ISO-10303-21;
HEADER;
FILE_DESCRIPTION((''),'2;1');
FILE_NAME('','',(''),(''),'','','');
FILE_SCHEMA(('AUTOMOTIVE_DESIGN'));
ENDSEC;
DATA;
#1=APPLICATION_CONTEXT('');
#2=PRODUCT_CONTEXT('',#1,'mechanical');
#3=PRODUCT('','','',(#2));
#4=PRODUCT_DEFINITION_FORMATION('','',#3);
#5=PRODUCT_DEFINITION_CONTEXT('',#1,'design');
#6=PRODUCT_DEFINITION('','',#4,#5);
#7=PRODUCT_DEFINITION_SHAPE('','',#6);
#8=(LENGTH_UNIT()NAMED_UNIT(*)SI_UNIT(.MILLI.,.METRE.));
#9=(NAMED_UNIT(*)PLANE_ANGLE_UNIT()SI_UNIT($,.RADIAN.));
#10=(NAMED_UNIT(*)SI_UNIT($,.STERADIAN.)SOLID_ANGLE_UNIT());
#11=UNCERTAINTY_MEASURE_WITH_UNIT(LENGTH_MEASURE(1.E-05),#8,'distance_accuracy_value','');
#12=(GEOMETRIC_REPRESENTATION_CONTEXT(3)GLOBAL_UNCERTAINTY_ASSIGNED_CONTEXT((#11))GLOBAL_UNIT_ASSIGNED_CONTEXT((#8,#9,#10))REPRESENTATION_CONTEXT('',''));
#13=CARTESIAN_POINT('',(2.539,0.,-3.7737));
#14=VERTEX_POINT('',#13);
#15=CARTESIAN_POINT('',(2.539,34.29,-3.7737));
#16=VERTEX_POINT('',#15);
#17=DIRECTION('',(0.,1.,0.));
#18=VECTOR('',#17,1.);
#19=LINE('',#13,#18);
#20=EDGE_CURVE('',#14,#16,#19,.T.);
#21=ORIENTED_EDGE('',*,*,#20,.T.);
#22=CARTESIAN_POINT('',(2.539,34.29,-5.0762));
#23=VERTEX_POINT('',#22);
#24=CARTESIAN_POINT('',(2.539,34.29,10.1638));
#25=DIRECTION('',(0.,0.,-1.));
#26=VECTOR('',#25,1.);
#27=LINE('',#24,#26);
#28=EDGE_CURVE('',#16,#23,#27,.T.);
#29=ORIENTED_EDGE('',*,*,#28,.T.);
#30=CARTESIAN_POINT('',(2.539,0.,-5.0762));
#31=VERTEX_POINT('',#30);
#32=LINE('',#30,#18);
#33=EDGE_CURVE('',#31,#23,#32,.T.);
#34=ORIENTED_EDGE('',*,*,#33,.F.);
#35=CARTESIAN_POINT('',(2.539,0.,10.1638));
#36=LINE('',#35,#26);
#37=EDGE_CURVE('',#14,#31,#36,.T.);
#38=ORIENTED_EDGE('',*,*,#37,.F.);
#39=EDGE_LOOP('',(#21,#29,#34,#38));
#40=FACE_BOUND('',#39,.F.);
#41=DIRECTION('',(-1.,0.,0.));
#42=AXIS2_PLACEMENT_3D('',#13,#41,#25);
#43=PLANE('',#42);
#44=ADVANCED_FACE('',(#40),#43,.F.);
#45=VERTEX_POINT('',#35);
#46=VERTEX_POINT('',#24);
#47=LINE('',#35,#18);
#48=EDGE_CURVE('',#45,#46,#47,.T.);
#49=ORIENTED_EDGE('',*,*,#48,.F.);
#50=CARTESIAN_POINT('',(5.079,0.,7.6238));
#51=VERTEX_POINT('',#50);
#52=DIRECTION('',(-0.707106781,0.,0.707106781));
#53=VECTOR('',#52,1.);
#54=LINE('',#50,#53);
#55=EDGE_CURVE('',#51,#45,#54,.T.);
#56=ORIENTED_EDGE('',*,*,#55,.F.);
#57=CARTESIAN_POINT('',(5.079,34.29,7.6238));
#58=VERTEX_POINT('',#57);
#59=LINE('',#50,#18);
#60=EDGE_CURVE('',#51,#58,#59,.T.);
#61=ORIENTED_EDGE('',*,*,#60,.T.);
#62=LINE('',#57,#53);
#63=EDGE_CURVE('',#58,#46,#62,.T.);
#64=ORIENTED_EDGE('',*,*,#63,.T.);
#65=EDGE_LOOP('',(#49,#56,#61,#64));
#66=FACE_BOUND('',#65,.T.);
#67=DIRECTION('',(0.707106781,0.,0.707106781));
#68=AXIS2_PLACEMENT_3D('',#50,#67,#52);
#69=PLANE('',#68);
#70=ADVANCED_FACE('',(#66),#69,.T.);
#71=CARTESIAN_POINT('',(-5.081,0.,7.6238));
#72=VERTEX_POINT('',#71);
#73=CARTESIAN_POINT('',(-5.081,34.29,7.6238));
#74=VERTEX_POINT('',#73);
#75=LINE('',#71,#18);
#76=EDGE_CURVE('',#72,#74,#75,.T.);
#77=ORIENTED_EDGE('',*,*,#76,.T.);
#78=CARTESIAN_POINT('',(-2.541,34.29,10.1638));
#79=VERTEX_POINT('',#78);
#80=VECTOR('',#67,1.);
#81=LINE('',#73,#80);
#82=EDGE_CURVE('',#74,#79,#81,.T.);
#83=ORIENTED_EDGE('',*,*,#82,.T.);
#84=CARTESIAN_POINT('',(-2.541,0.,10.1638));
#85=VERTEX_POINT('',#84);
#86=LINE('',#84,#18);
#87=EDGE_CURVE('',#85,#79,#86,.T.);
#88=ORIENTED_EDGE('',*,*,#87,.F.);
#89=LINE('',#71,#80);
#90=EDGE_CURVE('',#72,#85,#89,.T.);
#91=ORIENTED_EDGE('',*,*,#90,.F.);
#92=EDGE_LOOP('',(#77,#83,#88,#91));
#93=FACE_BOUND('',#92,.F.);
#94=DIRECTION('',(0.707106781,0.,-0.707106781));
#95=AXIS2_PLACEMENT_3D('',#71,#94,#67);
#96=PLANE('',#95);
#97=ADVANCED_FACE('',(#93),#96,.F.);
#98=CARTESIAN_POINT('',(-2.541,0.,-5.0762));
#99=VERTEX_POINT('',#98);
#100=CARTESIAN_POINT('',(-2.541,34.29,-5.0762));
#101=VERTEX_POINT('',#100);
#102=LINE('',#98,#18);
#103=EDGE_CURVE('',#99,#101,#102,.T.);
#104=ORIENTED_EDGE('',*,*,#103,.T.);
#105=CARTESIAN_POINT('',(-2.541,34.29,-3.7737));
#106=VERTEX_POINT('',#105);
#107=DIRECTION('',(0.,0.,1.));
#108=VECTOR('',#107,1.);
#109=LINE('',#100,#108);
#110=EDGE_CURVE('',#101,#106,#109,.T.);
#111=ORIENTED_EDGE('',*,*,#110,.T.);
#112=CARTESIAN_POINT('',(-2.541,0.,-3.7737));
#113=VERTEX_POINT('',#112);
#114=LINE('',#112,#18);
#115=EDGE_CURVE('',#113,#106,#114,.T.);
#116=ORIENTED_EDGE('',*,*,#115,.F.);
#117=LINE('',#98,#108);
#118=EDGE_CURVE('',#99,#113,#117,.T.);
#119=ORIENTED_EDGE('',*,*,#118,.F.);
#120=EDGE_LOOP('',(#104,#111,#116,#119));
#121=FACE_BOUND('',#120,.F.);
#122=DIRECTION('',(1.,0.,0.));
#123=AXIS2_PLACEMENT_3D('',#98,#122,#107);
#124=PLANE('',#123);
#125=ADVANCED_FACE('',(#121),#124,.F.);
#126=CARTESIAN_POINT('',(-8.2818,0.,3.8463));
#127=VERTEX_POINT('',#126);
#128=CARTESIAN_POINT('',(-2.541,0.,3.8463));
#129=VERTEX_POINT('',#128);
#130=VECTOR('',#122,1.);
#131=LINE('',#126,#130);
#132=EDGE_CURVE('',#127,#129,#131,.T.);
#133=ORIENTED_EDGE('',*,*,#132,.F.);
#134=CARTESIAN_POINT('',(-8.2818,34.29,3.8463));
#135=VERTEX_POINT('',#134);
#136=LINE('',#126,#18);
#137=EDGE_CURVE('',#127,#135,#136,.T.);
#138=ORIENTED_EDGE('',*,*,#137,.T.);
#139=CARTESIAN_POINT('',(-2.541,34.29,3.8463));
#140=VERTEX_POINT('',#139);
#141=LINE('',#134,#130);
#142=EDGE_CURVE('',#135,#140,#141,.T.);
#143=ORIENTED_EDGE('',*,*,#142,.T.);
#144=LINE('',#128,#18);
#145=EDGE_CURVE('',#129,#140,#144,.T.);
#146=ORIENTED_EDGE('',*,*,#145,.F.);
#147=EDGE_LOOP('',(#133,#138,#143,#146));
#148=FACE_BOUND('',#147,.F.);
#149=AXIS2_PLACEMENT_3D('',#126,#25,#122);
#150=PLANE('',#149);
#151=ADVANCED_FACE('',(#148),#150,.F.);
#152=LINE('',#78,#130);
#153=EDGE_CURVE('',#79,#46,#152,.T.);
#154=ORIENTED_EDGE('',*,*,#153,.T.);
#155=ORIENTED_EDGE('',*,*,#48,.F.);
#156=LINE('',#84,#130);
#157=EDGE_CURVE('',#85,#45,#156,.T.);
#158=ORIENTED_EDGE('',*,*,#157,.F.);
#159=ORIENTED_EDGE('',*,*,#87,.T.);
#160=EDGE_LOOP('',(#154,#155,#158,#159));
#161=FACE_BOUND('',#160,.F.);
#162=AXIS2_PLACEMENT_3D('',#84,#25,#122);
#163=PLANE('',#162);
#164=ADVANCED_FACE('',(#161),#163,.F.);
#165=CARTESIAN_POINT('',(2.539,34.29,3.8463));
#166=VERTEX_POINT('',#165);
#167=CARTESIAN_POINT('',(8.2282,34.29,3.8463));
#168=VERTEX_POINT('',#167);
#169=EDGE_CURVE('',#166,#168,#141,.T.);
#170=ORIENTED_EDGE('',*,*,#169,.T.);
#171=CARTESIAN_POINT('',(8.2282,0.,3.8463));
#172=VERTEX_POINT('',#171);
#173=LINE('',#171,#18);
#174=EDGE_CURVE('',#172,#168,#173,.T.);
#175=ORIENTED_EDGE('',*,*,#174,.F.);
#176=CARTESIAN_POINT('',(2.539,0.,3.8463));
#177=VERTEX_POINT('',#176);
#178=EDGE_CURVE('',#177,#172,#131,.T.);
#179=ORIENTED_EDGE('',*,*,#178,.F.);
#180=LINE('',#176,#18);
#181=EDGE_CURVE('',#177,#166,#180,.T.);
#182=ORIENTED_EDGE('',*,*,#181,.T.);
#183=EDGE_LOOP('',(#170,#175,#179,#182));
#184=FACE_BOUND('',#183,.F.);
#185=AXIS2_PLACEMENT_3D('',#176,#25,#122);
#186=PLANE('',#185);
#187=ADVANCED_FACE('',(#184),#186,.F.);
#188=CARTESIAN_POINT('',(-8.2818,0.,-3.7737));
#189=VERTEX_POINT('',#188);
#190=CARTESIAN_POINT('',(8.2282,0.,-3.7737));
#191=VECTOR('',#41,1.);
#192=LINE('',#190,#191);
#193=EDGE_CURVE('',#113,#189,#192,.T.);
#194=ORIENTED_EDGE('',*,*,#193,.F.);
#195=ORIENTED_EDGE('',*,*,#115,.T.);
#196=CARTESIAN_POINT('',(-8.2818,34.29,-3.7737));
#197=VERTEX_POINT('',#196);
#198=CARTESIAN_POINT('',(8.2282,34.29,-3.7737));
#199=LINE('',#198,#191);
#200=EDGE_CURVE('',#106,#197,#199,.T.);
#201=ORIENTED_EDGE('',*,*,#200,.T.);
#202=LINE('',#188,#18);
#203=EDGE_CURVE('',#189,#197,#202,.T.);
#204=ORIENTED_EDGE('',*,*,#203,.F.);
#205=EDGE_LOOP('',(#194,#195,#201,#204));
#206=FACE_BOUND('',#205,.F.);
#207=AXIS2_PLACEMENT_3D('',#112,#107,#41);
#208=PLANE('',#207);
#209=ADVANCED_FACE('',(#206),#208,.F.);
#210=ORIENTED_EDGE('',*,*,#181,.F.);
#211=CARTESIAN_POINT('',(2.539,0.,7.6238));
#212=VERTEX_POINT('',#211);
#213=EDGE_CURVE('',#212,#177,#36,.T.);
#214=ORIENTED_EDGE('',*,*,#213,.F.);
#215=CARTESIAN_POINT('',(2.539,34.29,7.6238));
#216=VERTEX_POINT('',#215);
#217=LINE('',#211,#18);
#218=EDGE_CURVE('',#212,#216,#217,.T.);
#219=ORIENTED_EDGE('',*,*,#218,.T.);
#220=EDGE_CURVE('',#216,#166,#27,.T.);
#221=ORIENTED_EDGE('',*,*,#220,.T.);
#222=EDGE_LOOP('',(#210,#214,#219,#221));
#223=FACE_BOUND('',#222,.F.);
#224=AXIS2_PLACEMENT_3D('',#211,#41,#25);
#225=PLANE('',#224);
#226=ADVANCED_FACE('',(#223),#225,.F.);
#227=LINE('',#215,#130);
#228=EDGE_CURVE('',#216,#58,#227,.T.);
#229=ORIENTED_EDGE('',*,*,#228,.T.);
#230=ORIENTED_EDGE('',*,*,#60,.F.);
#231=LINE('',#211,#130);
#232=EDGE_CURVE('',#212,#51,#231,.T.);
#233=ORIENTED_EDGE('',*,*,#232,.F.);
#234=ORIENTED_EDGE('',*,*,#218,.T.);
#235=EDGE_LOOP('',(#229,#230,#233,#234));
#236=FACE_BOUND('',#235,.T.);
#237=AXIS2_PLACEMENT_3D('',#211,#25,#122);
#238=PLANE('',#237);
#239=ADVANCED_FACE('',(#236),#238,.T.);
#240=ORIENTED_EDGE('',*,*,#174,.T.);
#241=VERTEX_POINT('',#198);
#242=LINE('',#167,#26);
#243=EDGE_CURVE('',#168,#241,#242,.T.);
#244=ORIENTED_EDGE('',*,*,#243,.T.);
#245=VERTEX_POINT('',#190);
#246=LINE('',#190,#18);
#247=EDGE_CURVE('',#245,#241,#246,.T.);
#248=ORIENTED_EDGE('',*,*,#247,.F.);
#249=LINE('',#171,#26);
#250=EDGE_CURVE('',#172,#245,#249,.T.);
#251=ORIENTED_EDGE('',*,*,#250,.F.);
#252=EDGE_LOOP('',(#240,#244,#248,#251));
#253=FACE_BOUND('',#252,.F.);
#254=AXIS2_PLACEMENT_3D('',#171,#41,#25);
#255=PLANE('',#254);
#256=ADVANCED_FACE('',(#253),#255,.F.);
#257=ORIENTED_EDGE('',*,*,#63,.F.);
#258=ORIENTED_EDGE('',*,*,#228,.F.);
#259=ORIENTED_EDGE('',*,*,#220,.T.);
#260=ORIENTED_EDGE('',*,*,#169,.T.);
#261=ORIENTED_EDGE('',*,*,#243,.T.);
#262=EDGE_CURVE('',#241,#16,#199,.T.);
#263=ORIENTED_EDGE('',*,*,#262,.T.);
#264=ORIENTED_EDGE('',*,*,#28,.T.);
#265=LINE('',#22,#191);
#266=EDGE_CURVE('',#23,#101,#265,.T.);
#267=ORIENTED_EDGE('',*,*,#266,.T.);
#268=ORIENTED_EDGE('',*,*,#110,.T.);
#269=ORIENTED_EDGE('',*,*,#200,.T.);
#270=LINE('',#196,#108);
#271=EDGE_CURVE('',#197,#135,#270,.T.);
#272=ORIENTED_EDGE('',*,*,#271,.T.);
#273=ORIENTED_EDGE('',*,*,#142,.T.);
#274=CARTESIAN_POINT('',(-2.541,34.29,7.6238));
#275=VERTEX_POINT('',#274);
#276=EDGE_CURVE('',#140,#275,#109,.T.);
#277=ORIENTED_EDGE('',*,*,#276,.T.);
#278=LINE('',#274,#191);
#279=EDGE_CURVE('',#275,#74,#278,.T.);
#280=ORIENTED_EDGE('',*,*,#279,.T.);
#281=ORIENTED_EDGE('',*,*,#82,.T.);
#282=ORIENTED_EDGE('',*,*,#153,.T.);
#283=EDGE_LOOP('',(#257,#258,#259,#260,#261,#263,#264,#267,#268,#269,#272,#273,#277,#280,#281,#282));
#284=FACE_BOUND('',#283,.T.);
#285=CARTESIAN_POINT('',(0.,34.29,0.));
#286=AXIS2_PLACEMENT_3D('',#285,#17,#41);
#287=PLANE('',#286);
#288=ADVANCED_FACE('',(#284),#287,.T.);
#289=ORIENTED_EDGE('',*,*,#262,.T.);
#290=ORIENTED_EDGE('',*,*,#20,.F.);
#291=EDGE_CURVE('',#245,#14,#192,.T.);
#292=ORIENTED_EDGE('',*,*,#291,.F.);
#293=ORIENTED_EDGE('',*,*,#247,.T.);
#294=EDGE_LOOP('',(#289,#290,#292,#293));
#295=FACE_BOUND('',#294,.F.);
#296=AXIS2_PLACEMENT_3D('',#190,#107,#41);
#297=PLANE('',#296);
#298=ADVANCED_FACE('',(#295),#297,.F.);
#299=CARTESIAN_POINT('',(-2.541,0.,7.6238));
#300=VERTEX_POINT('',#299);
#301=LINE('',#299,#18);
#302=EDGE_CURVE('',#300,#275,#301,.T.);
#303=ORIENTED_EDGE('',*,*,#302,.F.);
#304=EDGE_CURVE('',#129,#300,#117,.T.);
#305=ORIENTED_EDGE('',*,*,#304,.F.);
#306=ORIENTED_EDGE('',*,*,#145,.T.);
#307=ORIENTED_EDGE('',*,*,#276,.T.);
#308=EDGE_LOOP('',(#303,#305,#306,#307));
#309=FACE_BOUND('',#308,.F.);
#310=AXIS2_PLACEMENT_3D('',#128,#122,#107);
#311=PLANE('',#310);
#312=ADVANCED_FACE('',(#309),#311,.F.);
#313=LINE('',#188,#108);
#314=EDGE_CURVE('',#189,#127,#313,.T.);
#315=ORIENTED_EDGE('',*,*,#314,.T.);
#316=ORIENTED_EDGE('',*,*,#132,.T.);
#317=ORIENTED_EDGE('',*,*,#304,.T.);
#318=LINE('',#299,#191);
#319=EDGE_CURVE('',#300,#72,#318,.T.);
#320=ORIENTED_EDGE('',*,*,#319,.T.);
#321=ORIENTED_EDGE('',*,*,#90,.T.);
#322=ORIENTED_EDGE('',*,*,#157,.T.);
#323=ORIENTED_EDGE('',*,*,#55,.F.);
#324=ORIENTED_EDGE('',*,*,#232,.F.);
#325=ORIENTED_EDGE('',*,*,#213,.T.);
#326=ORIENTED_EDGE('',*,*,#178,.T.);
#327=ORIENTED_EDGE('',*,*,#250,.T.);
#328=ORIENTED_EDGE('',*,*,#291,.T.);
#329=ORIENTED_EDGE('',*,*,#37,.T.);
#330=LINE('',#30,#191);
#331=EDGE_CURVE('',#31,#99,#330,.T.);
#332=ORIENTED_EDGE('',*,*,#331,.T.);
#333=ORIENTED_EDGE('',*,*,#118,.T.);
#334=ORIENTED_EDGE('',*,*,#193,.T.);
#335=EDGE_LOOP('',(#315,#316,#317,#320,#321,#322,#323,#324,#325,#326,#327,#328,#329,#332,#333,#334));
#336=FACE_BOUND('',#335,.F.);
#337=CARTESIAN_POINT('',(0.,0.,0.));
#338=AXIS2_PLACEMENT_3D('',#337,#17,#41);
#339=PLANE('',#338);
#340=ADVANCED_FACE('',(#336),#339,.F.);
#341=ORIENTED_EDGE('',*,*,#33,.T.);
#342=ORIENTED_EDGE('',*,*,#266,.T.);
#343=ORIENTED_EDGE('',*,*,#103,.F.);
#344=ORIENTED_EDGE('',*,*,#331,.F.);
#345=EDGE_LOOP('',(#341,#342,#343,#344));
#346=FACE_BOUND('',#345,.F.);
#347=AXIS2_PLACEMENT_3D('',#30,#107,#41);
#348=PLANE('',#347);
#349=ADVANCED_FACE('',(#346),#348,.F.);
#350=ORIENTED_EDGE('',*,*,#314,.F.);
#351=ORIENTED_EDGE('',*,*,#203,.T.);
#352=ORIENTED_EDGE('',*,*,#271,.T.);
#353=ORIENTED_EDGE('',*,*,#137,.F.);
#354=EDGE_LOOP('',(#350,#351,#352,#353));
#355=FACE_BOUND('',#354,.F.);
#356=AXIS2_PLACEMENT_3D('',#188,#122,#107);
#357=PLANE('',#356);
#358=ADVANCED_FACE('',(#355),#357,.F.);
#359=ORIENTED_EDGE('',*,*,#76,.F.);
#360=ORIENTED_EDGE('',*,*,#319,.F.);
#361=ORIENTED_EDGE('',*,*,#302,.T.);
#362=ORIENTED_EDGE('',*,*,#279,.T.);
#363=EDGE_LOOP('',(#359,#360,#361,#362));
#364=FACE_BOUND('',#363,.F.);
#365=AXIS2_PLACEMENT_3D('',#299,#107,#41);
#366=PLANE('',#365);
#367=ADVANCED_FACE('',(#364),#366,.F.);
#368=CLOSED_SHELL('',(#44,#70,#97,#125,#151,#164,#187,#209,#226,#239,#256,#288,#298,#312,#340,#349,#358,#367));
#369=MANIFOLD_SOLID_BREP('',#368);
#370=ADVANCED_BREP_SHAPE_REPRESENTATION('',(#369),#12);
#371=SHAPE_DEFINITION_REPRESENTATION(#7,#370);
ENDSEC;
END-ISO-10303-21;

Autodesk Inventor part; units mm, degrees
ref_plane "YZ Plane" through (0, 0, 0) normal (1, 0, 0) x (0, 1, 0)
ref_plane "XZ Plane" through (0, 0, 0) normal (0, 1, 0) x (-1, 0, 0)
ref_plane "XY Plane" through (0, 0, 0) normal (0, 0, 1) x (1, 0, 0)
sketch "Sketch1" plane through (0, 0, 0) normal (0, 1, 0) x (-1, 0, 0)
  line L0 (8.2818, 3.8463) -> (-8.2282, 3.8463)
  line L1 (-8.2282, 3.8463) -> (-8.2282, -3.7737)
  line L2 (-8.2282, -3.7737) -> (8.2818, -3.7737)
  line L3 (8.2818, -3.7737) -> (8.2818, 3.8463)
  line L4 (2.541, 10.1638) -> (-2.539, 10.1638)
  line L5 (-2.539, 10.1638) -> (-2.539, -5.0762)
  line L6 (-2.539, -5.0762) -> (2.541, -5.0762)
  line L7 (2.541, -5.0762) -> (2.541, 10.1638)
  line L8 (2.541, 7.6238) -> (5.081, 7.6238)
  line L9 (5.081, 7.6238) -> (2.541, 10.1638)
  line L10 (-2.539, 7.6238) -> (-5.079, 7.6238)
  line L11 (-5.079, 7.6238) -> (-2.539, 10.1638)
  dimension "d10" = 16.51
  dimension "d11" = 7.62
  dimension "d12" = 5.08
  dimension "d13" = 15.24
  dimension "d18" = 2.54
  dimension "d19" = 2.54
extrude "Extrusion1" add sketch "Sketch1" along normal blind 34.29
properties part number "ppppaaaarrrrttttssss"
